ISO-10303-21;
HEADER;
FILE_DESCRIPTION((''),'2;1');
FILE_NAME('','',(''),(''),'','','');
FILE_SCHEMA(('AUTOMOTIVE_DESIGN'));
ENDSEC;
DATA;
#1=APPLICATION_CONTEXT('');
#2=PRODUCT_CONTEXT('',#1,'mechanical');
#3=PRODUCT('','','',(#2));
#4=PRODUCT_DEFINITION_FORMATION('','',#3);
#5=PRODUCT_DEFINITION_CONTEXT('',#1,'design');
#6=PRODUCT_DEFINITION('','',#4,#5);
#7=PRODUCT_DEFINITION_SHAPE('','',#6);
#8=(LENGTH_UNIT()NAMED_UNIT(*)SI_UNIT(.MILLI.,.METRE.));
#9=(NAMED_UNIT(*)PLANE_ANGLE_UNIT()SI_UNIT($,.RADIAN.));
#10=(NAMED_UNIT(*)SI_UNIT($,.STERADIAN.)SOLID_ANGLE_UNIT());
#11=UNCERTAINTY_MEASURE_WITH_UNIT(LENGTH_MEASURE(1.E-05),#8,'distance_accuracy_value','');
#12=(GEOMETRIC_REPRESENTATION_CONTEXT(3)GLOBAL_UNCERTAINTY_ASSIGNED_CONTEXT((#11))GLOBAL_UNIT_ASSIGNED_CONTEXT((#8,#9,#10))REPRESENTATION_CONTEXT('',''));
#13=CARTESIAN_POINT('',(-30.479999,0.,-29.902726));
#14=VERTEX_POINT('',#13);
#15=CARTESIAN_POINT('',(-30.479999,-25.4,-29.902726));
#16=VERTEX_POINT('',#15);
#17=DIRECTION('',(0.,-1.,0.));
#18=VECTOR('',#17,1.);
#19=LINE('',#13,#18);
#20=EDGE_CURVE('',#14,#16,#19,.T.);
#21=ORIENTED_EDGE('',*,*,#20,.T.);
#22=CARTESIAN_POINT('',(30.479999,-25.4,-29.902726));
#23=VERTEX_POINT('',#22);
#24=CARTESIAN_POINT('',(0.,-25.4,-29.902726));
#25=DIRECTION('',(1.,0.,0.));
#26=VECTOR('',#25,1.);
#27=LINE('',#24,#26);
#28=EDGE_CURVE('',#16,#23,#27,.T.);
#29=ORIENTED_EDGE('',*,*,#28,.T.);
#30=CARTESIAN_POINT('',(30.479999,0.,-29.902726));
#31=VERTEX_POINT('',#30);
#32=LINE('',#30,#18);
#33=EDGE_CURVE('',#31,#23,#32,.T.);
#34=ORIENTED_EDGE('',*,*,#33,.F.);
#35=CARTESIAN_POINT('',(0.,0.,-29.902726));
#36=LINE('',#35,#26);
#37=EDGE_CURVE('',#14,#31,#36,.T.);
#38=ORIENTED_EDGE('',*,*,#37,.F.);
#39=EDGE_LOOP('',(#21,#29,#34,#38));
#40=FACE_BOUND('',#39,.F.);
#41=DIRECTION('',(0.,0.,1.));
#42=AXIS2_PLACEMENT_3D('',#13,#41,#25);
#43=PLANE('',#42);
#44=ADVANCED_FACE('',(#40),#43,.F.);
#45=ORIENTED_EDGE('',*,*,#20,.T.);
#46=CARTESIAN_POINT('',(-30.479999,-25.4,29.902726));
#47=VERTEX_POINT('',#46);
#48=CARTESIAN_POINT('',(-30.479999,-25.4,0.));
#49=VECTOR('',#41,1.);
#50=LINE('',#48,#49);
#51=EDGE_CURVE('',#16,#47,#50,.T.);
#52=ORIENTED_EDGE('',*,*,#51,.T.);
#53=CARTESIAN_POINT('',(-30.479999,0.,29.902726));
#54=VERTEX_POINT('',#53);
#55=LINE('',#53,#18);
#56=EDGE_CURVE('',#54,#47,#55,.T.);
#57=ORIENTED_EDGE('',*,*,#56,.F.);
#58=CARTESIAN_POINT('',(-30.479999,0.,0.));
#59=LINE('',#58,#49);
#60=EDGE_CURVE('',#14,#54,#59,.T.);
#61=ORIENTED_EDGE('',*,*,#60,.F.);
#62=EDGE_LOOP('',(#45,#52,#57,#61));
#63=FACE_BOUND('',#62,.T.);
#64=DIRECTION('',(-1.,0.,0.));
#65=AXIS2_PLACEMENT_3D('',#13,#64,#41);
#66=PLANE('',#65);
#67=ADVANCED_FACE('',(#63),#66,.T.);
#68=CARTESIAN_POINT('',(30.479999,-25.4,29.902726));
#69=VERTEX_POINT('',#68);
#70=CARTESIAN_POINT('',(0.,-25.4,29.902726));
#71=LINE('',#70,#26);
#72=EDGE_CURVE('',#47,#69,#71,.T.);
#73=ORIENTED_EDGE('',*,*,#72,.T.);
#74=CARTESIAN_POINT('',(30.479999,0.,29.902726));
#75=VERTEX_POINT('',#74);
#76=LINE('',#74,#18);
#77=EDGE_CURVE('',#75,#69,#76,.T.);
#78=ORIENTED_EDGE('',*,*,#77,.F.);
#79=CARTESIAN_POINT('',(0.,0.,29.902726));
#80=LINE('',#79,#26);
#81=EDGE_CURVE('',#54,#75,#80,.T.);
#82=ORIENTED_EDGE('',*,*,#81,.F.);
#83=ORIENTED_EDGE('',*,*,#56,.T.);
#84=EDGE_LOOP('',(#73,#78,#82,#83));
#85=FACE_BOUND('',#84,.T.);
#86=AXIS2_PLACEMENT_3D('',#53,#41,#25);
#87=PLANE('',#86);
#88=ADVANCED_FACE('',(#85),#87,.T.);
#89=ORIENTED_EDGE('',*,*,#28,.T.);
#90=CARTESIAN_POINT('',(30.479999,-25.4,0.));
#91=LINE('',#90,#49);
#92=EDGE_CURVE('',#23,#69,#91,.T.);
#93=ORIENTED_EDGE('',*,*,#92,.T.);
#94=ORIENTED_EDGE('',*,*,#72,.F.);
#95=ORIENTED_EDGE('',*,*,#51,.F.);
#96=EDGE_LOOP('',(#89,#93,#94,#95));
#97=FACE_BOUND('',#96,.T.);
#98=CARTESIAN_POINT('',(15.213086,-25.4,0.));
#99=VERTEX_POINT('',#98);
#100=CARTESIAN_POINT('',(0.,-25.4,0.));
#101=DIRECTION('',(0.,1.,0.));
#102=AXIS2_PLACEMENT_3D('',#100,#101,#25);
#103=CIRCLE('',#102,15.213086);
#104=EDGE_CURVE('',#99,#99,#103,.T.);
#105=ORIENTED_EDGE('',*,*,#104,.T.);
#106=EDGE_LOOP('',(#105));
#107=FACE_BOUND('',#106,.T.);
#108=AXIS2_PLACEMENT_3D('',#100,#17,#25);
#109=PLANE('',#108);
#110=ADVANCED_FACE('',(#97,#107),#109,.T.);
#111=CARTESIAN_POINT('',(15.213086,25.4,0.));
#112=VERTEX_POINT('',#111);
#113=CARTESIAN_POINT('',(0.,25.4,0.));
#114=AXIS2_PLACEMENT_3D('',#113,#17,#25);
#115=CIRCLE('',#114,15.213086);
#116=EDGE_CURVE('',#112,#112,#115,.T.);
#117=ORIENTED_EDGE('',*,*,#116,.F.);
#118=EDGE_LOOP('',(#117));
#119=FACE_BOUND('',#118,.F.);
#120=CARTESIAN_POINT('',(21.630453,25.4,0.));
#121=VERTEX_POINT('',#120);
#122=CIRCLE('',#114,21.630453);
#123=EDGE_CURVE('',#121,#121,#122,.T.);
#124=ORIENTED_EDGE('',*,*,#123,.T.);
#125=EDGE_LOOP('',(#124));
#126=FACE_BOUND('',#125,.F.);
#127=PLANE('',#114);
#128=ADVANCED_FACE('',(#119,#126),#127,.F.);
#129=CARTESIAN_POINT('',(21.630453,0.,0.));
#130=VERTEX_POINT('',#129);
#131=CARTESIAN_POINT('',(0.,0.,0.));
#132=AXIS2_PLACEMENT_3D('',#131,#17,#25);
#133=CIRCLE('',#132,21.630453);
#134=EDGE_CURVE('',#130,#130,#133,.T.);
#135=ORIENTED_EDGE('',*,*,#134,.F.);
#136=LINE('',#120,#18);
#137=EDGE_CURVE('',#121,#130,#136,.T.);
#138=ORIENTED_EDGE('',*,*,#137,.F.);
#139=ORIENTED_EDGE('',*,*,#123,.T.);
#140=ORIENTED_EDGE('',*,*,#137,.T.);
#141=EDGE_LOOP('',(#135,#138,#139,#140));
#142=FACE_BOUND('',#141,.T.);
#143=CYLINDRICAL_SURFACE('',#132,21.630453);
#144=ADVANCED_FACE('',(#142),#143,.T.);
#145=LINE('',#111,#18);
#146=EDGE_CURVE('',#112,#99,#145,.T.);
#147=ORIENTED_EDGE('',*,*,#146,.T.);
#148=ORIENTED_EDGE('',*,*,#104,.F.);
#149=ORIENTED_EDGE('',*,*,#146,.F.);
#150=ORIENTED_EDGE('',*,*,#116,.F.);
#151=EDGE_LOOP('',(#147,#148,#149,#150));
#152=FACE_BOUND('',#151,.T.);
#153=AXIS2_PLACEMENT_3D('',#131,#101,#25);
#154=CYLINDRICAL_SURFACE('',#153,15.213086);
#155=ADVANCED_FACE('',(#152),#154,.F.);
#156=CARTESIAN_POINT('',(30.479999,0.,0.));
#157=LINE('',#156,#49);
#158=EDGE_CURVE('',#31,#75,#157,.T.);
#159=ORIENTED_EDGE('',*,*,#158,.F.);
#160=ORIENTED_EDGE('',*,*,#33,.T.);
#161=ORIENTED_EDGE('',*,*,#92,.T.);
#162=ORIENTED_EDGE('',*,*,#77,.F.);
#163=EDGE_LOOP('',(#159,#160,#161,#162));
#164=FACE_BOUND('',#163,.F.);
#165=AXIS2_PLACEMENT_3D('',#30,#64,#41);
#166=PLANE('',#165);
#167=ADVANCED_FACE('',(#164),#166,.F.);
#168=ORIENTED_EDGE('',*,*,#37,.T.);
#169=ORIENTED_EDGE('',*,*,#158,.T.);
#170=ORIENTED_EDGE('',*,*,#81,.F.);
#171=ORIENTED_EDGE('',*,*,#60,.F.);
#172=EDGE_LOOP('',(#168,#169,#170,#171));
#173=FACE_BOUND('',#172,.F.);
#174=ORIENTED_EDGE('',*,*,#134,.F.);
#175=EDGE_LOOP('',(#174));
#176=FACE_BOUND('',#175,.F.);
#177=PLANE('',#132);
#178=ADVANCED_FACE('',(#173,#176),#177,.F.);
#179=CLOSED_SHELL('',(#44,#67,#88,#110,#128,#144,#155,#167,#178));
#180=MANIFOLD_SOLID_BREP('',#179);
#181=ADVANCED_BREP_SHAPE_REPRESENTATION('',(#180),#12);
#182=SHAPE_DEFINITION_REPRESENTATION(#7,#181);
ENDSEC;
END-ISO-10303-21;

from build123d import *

# Parameters (mm, degrees)
F0_W      = 60.959998
F0_H      = 59.805452
F1_DEPTH  = 25.4
F2_R      = 21.630453
F2_R_2    = 15.213086
F3_DEPTH  = 25.4
F3_FACE_R = 15.213086
F4_DEPTH  = 25.4


with BuildPart() as f1:
    # F0 (on Front) → F1 (new body)
    with BuildSketch(Plane.XZ):
        Rectangle(F0_W, F0_H)
    extrude(amount=F1_DEPTH)

    # F2 (on Front) → F3 (join, symmetric)
    with BuildSketch(Plane.XZ):
        Circle(F2_R)
        Circle(F2_R_2, mode=Mode.SUBTRACT)
    extrude(amount=F3_DEPTH, both=True)

    # F3_face (on face) → F4 (cut)
    with BuildSketch(Plane(origin=(0, 0, 0), x_dir=(1, 0, 0), z_dir=(0, 1, 0))):
        Circle(F3_FACE_R)
    extrude(amount=-F4_DEPTH, mode=Mode.SUBTRACT)


solid = f1.part
